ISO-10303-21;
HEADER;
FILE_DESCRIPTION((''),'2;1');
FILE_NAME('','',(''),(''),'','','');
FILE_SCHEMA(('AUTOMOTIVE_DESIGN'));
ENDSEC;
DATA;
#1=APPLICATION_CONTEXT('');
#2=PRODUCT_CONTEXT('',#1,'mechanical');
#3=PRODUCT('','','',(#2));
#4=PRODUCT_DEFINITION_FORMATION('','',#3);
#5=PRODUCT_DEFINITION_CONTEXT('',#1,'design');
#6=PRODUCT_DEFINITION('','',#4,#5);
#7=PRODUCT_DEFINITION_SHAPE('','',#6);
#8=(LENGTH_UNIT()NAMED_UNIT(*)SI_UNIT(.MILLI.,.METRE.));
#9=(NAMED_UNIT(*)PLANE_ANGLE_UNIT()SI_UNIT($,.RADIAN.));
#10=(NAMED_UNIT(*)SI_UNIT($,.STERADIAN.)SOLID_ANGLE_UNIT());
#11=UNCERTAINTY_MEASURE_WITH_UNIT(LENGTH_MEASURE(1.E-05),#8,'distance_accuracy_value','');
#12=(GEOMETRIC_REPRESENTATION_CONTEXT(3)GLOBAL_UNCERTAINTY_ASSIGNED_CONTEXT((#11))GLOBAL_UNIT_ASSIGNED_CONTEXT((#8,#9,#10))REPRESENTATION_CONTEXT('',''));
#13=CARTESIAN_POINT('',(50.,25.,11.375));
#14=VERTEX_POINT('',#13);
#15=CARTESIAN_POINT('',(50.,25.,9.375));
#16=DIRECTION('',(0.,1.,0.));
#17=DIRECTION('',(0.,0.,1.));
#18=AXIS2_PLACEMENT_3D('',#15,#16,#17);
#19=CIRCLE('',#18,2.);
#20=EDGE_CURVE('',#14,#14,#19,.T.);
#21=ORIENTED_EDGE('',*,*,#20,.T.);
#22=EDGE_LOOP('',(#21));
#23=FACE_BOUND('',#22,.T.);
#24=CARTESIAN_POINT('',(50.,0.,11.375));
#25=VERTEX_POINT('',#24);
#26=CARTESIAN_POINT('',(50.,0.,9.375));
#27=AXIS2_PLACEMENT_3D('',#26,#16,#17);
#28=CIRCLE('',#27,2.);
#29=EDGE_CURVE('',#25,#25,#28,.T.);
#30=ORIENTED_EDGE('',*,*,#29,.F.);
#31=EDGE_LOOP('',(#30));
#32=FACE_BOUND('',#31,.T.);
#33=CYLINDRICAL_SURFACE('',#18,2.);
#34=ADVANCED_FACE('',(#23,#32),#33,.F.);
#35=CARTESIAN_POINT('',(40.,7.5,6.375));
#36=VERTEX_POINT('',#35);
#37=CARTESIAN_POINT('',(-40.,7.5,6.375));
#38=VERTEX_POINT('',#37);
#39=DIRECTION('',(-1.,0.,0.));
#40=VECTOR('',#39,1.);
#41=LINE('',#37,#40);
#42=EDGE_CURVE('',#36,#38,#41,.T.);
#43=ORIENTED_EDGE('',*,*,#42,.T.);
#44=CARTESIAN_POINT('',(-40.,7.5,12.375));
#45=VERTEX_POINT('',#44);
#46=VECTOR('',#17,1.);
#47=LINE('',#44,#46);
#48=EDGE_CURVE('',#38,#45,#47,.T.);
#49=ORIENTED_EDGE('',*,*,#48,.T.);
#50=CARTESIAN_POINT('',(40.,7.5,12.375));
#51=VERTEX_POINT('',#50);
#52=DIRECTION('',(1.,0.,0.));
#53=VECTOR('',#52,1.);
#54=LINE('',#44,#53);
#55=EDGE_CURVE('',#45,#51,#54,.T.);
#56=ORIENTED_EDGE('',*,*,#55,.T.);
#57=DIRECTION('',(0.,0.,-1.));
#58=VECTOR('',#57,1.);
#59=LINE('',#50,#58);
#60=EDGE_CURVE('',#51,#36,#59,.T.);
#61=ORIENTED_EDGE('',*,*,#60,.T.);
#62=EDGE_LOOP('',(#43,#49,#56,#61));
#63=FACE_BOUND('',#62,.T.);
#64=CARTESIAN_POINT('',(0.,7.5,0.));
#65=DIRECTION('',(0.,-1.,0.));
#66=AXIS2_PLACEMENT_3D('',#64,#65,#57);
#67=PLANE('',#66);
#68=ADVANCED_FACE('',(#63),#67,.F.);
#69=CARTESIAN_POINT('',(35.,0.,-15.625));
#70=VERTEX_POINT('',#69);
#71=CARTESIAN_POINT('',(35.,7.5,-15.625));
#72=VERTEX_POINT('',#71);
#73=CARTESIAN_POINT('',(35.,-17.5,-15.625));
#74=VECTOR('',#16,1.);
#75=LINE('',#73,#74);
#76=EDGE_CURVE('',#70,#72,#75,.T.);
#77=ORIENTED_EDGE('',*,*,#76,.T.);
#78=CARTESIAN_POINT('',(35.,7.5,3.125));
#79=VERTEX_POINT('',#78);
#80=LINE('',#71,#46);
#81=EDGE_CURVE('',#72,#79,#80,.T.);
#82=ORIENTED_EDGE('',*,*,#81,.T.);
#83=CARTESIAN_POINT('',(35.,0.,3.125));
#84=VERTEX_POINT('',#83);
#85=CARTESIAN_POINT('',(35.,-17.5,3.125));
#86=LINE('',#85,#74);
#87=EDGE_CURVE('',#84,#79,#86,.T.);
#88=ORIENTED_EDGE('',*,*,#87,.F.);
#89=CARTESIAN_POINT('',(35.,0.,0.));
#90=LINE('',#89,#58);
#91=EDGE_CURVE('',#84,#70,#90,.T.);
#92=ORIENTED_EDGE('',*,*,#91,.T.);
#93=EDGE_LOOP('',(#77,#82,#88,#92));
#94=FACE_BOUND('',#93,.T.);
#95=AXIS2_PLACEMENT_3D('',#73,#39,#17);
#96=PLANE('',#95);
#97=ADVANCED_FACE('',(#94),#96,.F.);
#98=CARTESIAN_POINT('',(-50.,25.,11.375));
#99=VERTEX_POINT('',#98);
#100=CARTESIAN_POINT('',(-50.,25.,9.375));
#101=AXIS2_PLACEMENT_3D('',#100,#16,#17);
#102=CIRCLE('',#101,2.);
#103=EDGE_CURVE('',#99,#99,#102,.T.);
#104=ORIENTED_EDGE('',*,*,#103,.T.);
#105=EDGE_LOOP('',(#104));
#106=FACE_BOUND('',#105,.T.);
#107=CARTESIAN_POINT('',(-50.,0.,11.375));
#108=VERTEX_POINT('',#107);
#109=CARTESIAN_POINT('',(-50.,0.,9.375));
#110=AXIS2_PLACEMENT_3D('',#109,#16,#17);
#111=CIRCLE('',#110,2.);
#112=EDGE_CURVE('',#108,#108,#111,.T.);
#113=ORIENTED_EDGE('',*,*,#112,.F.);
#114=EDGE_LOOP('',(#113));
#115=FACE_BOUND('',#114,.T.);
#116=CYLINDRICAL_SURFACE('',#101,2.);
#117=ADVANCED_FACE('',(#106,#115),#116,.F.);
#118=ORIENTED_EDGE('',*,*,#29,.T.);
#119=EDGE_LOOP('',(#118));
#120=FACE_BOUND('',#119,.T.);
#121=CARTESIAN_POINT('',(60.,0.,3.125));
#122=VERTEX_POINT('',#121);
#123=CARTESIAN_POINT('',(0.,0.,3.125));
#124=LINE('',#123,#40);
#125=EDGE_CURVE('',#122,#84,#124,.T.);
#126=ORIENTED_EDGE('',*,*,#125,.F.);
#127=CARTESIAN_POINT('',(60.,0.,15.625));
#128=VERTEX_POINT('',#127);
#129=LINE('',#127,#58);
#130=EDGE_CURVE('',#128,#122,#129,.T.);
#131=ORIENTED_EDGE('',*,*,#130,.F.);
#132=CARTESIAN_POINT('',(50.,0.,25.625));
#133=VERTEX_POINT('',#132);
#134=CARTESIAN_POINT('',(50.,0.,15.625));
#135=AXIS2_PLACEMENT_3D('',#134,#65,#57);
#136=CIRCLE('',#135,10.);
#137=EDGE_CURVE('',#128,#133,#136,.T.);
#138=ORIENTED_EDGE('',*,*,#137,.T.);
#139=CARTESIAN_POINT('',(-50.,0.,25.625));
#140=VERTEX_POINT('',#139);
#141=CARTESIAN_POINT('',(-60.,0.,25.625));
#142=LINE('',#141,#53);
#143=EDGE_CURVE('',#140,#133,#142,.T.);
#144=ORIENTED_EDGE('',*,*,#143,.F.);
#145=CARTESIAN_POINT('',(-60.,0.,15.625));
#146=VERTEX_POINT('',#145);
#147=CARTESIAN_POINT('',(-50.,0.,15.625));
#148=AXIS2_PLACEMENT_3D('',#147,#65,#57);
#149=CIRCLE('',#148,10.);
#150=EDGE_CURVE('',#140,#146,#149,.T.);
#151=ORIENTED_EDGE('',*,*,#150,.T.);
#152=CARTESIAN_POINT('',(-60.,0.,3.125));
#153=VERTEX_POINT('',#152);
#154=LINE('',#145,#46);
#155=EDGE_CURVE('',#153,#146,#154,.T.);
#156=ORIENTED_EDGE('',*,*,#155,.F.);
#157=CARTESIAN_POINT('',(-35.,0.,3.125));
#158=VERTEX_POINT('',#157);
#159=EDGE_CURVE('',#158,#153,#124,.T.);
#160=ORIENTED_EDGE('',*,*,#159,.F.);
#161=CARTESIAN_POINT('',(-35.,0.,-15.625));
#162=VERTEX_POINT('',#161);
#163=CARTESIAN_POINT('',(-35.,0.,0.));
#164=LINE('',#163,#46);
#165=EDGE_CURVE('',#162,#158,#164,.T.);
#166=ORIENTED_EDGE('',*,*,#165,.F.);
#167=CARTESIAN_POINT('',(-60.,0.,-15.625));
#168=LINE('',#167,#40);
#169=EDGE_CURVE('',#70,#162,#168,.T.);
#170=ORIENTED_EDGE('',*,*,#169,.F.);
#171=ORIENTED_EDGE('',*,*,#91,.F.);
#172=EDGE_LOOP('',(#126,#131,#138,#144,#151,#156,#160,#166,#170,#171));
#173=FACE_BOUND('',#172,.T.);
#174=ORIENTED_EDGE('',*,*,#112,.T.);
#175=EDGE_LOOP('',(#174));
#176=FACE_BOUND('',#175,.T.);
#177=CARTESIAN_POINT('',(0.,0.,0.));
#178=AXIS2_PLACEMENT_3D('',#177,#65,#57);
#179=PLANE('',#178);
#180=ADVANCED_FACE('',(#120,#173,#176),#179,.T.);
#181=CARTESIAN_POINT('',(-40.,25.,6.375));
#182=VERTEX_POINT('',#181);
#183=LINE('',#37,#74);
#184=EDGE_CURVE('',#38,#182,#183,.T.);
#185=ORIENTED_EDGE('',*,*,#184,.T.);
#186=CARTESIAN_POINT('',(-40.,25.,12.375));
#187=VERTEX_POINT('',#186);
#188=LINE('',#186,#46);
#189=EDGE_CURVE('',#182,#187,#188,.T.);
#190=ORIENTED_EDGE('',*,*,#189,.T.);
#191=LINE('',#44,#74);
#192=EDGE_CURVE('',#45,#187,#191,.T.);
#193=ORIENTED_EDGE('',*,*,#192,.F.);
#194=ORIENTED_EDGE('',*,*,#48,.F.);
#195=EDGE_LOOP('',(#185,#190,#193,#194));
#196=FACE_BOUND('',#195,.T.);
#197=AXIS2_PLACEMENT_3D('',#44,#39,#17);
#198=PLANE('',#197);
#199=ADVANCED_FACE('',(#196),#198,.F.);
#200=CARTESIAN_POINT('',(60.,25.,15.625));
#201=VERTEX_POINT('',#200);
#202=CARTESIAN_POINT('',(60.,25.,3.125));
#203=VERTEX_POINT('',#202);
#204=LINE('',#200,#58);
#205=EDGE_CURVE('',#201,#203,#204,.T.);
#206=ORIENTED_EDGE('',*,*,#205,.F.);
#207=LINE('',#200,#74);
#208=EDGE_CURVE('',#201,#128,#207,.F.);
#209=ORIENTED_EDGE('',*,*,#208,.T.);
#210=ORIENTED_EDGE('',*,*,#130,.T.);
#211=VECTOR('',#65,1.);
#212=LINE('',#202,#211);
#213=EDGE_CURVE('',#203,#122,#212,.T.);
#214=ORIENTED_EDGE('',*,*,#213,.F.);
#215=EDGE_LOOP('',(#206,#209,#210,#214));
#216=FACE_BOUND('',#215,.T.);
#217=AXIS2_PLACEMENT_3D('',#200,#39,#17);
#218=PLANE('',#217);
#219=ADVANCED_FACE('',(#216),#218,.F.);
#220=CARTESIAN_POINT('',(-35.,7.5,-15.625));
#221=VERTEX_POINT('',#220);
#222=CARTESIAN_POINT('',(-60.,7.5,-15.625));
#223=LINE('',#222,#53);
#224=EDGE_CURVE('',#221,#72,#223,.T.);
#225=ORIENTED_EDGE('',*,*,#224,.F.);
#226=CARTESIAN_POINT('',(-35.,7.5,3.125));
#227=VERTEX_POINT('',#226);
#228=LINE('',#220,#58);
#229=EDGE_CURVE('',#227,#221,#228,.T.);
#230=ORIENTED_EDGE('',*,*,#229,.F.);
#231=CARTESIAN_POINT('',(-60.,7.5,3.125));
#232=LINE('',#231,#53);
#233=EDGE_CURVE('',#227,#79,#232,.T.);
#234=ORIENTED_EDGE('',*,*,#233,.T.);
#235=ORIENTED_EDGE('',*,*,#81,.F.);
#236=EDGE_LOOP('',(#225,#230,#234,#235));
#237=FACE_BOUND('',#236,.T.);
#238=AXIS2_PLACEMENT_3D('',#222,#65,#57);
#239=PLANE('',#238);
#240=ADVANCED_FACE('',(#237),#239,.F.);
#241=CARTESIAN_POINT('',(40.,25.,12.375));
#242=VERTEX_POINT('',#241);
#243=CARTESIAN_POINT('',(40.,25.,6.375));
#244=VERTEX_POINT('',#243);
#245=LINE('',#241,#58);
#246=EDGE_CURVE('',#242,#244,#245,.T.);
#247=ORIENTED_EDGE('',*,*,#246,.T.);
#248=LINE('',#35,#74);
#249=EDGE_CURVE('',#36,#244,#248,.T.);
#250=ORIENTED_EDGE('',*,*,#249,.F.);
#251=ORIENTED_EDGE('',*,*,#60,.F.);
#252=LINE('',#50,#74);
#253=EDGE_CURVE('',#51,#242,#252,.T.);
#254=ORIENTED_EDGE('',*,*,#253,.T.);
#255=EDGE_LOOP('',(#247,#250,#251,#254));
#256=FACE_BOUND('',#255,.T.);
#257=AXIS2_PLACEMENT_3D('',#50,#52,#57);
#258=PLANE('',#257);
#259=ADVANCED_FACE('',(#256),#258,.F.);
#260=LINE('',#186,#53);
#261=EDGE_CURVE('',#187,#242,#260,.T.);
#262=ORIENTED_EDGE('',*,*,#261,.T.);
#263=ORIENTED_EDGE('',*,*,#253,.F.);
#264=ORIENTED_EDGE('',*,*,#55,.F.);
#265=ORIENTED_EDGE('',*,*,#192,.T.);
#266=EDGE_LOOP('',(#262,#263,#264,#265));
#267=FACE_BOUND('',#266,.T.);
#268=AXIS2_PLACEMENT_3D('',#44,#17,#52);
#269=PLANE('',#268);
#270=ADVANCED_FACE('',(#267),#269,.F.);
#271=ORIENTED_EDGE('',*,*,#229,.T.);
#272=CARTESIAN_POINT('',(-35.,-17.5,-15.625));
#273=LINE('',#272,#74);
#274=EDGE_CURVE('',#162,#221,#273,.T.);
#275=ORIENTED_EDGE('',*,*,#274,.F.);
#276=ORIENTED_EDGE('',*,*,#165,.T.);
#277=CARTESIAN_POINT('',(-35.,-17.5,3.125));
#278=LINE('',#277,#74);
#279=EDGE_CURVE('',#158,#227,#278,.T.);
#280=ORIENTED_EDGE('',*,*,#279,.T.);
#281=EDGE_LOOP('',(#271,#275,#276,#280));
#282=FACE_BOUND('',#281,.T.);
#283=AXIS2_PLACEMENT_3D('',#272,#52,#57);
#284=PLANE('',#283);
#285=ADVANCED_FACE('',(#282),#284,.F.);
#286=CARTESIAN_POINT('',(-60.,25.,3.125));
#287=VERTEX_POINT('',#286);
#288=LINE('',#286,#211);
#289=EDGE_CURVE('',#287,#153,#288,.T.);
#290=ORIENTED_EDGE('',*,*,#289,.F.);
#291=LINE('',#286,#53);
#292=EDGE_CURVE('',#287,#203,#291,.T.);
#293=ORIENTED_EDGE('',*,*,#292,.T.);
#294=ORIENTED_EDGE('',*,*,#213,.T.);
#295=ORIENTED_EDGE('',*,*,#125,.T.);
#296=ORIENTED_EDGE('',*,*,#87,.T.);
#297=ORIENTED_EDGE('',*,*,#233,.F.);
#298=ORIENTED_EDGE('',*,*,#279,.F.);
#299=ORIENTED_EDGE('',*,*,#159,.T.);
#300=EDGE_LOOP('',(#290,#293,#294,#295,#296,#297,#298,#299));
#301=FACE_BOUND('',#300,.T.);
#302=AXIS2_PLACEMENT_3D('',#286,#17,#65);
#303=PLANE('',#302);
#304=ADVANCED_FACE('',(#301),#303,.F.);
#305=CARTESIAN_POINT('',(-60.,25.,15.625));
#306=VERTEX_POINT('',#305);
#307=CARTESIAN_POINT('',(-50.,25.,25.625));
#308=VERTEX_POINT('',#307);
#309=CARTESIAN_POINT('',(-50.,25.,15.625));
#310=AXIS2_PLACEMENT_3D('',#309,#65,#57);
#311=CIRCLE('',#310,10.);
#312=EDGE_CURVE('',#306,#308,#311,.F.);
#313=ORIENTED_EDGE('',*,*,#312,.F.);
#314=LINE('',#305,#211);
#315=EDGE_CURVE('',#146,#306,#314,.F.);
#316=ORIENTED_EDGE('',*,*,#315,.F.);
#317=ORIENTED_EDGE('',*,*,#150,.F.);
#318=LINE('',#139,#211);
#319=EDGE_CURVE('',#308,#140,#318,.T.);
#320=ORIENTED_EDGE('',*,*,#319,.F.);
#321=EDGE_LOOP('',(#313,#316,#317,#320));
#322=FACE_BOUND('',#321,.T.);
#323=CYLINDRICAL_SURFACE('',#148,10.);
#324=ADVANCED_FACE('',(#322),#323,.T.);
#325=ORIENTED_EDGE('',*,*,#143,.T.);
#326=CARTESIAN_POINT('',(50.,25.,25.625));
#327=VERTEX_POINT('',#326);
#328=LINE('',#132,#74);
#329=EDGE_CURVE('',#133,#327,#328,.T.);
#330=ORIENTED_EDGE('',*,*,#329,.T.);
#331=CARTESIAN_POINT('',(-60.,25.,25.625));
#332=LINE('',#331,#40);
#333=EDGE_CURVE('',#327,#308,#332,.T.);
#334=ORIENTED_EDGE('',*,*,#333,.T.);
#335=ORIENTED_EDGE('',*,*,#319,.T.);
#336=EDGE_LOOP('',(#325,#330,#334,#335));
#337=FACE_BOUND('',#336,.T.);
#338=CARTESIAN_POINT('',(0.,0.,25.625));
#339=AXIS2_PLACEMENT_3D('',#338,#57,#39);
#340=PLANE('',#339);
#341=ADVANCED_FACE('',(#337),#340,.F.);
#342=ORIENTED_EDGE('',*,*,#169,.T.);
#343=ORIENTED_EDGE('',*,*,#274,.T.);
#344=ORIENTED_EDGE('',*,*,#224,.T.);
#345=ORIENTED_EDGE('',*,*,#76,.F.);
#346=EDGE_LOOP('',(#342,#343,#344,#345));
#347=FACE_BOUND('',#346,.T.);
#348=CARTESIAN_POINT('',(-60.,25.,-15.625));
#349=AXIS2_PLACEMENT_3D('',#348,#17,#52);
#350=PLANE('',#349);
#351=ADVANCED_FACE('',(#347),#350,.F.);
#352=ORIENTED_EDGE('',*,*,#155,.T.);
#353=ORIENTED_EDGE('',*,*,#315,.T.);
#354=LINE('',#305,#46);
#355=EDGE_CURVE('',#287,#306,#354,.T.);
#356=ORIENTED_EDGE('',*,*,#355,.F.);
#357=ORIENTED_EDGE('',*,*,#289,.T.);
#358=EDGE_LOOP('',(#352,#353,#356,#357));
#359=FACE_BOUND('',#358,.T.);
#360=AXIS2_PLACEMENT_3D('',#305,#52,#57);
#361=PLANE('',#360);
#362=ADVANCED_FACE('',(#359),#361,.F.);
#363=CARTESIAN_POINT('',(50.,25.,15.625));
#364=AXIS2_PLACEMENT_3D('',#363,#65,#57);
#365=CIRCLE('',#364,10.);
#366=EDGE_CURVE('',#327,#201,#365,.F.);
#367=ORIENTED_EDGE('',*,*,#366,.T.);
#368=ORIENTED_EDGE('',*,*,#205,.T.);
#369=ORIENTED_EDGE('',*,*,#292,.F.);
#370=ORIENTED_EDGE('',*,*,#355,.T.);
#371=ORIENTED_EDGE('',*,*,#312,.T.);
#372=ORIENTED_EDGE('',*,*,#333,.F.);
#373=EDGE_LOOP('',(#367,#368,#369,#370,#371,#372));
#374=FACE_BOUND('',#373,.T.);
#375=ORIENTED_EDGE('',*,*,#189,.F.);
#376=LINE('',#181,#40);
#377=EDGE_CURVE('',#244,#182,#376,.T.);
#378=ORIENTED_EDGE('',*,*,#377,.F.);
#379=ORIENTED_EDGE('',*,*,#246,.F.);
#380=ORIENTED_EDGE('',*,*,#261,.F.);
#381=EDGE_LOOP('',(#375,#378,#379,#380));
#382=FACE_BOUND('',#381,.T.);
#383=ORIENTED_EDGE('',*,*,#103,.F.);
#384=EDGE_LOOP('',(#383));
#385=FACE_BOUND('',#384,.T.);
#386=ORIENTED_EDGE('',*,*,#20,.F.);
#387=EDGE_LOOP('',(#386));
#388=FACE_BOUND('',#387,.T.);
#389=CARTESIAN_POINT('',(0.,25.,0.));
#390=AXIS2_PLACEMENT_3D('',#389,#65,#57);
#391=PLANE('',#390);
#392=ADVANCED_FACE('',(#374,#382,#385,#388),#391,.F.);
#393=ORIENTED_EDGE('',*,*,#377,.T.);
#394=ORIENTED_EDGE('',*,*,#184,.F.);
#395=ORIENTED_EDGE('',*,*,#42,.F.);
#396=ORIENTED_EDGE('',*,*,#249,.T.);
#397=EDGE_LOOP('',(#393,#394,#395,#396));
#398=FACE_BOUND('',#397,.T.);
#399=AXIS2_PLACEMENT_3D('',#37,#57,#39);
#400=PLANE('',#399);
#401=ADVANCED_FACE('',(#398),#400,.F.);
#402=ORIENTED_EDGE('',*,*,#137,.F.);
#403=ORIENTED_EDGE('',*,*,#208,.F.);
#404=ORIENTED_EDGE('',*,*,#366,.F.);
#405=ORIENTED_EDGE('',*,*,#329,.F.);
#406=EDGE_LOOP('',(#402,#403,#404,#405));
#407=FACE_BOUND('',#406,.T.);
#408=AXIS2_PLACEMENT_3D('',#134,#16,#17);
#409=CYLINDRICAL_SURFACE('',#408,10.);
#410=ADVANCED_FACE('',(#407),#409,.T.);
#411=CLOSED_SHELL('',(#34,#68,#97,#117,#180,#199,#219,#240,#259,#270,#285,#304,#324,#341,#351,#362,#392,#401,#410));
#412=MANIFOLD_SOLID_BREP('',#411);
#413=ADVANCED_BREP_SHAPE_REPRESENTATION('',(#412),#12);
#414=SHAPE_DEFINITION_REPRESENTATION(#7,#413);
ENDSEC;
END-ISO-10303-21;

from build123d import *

# Parameters (mm, degrees)
SKETCH1_W             = 120
SKETCH1_H             = 31.25
BOSS_EXTRUDE1_DEPTH   = 25
SKETCH2_W             = 18.75
SKETCH2_H             = 17.5
CUT_EXTRUDE1_DEPTH    = 124.568364175
F_4_0MM_DOWEL_HOLE1_D = 4
SKETCH5_W             = 120
SKETCH5_H             = 25
BOSS_EXTRUDE2_DEPTH   = 10
SKETCH6_W             = 80
SKETCH6_H             = 6
CUT_EXTRUDE2_DEPTH    = 17.5
FILLET1_R             = 10
SKETCH7_W             = 25
SKETCH7_H             = 18.75
CUT_EXTRUDE3_DEPTH    = 25


with BuildPart() as part:
    # Sketch1 → Boss-Extrude1 (new body)
    with BuildSketch(Plane(origin=(0, 0, 0), x_dir=(1, 0, 0), z_dir=(0, 1, 0))):
        Rectangle(SKETCH1_W, SKETCH1_H)
    extrude(amount=BOSS_EXTRUDE1_DEPTH)

    # Sketch2 → Cut-Extrude1 (cut, through all)
    with BuildSketch(Plane(origin=(60, 0, 0), x_dir=(0, 0, -1), z_dir=(1, 0, 0))):
        with Locations((6.25, 16.25)):
            Rectangle(SKETCH2_W, SKETCH2_H)
    extrude(amount=-CUT_EXTRUDE1_DEPTH, mode=Mode.SUBTRACT)

    # Ø4.0mm Dowel Hole1 (through all)
    with Locations(Plane(origin=(0, 25, 0), x_dir=(1, 0, 0), z_dir=(0, 1, 0))):
        with Locations((50, -9.375), (-50, -9.375)):
            Hole(F_4_0MM_DOWEL_HOLE1_D / 2)

    # Sketch5 → Boss-Extrude2 (add)
    with BuildSketch(Plane.XY.offset(15.625)):
        with Locations((0, 12.5)):
            Rectangle(SKETCH5_W, SKETCH5_H)
    extrude(amount=BOSS_EXTRUDE2_DEPTH)

    # Sketch6 → Cut-Extrude2 (cut)
    with BuildSketch(Plane(origin=(0, 25, 0), x_dir=(1, 0, 0), z_dir=(0, 1, 0))):
        with Locations((0, -9.375)):
            Rectangle(SKETCH6_W, SKETCH6_H)
    extrude(amount=-CUT_EXTRUDE2_DEPTH, mode=Mode.SUBTRACT)

    # Fillet1
    fillet1_edges = [part.edges().sort_by_distance(p)[0] for p in [
        (-60, 12.5, 25.625),
        (60, 12.5, 25.625),
    ]]
    fillet(fillet1_edges, radius=FILLET1_R)

    # Sketch7 → Cut-Extrude3 (cut)
    with BuildSketch(Plane(origin=(0, 7.5, 0), x_dir=(1, 0, 0), z_dir=(0, 1, 0))):
        with Locations((-47.5, 6.25)):
            Rectangle(SKETCH7_W, SKETCH7_H)
        with Locations((47.5, 6.25)):
            Rectangle(SKETCH7_W, SKETCH7_H)
    extrude(amount=-CUT_EXTRUDE3_DEPTH, mode=Mode.SUBTRACT)


solid = part.part
